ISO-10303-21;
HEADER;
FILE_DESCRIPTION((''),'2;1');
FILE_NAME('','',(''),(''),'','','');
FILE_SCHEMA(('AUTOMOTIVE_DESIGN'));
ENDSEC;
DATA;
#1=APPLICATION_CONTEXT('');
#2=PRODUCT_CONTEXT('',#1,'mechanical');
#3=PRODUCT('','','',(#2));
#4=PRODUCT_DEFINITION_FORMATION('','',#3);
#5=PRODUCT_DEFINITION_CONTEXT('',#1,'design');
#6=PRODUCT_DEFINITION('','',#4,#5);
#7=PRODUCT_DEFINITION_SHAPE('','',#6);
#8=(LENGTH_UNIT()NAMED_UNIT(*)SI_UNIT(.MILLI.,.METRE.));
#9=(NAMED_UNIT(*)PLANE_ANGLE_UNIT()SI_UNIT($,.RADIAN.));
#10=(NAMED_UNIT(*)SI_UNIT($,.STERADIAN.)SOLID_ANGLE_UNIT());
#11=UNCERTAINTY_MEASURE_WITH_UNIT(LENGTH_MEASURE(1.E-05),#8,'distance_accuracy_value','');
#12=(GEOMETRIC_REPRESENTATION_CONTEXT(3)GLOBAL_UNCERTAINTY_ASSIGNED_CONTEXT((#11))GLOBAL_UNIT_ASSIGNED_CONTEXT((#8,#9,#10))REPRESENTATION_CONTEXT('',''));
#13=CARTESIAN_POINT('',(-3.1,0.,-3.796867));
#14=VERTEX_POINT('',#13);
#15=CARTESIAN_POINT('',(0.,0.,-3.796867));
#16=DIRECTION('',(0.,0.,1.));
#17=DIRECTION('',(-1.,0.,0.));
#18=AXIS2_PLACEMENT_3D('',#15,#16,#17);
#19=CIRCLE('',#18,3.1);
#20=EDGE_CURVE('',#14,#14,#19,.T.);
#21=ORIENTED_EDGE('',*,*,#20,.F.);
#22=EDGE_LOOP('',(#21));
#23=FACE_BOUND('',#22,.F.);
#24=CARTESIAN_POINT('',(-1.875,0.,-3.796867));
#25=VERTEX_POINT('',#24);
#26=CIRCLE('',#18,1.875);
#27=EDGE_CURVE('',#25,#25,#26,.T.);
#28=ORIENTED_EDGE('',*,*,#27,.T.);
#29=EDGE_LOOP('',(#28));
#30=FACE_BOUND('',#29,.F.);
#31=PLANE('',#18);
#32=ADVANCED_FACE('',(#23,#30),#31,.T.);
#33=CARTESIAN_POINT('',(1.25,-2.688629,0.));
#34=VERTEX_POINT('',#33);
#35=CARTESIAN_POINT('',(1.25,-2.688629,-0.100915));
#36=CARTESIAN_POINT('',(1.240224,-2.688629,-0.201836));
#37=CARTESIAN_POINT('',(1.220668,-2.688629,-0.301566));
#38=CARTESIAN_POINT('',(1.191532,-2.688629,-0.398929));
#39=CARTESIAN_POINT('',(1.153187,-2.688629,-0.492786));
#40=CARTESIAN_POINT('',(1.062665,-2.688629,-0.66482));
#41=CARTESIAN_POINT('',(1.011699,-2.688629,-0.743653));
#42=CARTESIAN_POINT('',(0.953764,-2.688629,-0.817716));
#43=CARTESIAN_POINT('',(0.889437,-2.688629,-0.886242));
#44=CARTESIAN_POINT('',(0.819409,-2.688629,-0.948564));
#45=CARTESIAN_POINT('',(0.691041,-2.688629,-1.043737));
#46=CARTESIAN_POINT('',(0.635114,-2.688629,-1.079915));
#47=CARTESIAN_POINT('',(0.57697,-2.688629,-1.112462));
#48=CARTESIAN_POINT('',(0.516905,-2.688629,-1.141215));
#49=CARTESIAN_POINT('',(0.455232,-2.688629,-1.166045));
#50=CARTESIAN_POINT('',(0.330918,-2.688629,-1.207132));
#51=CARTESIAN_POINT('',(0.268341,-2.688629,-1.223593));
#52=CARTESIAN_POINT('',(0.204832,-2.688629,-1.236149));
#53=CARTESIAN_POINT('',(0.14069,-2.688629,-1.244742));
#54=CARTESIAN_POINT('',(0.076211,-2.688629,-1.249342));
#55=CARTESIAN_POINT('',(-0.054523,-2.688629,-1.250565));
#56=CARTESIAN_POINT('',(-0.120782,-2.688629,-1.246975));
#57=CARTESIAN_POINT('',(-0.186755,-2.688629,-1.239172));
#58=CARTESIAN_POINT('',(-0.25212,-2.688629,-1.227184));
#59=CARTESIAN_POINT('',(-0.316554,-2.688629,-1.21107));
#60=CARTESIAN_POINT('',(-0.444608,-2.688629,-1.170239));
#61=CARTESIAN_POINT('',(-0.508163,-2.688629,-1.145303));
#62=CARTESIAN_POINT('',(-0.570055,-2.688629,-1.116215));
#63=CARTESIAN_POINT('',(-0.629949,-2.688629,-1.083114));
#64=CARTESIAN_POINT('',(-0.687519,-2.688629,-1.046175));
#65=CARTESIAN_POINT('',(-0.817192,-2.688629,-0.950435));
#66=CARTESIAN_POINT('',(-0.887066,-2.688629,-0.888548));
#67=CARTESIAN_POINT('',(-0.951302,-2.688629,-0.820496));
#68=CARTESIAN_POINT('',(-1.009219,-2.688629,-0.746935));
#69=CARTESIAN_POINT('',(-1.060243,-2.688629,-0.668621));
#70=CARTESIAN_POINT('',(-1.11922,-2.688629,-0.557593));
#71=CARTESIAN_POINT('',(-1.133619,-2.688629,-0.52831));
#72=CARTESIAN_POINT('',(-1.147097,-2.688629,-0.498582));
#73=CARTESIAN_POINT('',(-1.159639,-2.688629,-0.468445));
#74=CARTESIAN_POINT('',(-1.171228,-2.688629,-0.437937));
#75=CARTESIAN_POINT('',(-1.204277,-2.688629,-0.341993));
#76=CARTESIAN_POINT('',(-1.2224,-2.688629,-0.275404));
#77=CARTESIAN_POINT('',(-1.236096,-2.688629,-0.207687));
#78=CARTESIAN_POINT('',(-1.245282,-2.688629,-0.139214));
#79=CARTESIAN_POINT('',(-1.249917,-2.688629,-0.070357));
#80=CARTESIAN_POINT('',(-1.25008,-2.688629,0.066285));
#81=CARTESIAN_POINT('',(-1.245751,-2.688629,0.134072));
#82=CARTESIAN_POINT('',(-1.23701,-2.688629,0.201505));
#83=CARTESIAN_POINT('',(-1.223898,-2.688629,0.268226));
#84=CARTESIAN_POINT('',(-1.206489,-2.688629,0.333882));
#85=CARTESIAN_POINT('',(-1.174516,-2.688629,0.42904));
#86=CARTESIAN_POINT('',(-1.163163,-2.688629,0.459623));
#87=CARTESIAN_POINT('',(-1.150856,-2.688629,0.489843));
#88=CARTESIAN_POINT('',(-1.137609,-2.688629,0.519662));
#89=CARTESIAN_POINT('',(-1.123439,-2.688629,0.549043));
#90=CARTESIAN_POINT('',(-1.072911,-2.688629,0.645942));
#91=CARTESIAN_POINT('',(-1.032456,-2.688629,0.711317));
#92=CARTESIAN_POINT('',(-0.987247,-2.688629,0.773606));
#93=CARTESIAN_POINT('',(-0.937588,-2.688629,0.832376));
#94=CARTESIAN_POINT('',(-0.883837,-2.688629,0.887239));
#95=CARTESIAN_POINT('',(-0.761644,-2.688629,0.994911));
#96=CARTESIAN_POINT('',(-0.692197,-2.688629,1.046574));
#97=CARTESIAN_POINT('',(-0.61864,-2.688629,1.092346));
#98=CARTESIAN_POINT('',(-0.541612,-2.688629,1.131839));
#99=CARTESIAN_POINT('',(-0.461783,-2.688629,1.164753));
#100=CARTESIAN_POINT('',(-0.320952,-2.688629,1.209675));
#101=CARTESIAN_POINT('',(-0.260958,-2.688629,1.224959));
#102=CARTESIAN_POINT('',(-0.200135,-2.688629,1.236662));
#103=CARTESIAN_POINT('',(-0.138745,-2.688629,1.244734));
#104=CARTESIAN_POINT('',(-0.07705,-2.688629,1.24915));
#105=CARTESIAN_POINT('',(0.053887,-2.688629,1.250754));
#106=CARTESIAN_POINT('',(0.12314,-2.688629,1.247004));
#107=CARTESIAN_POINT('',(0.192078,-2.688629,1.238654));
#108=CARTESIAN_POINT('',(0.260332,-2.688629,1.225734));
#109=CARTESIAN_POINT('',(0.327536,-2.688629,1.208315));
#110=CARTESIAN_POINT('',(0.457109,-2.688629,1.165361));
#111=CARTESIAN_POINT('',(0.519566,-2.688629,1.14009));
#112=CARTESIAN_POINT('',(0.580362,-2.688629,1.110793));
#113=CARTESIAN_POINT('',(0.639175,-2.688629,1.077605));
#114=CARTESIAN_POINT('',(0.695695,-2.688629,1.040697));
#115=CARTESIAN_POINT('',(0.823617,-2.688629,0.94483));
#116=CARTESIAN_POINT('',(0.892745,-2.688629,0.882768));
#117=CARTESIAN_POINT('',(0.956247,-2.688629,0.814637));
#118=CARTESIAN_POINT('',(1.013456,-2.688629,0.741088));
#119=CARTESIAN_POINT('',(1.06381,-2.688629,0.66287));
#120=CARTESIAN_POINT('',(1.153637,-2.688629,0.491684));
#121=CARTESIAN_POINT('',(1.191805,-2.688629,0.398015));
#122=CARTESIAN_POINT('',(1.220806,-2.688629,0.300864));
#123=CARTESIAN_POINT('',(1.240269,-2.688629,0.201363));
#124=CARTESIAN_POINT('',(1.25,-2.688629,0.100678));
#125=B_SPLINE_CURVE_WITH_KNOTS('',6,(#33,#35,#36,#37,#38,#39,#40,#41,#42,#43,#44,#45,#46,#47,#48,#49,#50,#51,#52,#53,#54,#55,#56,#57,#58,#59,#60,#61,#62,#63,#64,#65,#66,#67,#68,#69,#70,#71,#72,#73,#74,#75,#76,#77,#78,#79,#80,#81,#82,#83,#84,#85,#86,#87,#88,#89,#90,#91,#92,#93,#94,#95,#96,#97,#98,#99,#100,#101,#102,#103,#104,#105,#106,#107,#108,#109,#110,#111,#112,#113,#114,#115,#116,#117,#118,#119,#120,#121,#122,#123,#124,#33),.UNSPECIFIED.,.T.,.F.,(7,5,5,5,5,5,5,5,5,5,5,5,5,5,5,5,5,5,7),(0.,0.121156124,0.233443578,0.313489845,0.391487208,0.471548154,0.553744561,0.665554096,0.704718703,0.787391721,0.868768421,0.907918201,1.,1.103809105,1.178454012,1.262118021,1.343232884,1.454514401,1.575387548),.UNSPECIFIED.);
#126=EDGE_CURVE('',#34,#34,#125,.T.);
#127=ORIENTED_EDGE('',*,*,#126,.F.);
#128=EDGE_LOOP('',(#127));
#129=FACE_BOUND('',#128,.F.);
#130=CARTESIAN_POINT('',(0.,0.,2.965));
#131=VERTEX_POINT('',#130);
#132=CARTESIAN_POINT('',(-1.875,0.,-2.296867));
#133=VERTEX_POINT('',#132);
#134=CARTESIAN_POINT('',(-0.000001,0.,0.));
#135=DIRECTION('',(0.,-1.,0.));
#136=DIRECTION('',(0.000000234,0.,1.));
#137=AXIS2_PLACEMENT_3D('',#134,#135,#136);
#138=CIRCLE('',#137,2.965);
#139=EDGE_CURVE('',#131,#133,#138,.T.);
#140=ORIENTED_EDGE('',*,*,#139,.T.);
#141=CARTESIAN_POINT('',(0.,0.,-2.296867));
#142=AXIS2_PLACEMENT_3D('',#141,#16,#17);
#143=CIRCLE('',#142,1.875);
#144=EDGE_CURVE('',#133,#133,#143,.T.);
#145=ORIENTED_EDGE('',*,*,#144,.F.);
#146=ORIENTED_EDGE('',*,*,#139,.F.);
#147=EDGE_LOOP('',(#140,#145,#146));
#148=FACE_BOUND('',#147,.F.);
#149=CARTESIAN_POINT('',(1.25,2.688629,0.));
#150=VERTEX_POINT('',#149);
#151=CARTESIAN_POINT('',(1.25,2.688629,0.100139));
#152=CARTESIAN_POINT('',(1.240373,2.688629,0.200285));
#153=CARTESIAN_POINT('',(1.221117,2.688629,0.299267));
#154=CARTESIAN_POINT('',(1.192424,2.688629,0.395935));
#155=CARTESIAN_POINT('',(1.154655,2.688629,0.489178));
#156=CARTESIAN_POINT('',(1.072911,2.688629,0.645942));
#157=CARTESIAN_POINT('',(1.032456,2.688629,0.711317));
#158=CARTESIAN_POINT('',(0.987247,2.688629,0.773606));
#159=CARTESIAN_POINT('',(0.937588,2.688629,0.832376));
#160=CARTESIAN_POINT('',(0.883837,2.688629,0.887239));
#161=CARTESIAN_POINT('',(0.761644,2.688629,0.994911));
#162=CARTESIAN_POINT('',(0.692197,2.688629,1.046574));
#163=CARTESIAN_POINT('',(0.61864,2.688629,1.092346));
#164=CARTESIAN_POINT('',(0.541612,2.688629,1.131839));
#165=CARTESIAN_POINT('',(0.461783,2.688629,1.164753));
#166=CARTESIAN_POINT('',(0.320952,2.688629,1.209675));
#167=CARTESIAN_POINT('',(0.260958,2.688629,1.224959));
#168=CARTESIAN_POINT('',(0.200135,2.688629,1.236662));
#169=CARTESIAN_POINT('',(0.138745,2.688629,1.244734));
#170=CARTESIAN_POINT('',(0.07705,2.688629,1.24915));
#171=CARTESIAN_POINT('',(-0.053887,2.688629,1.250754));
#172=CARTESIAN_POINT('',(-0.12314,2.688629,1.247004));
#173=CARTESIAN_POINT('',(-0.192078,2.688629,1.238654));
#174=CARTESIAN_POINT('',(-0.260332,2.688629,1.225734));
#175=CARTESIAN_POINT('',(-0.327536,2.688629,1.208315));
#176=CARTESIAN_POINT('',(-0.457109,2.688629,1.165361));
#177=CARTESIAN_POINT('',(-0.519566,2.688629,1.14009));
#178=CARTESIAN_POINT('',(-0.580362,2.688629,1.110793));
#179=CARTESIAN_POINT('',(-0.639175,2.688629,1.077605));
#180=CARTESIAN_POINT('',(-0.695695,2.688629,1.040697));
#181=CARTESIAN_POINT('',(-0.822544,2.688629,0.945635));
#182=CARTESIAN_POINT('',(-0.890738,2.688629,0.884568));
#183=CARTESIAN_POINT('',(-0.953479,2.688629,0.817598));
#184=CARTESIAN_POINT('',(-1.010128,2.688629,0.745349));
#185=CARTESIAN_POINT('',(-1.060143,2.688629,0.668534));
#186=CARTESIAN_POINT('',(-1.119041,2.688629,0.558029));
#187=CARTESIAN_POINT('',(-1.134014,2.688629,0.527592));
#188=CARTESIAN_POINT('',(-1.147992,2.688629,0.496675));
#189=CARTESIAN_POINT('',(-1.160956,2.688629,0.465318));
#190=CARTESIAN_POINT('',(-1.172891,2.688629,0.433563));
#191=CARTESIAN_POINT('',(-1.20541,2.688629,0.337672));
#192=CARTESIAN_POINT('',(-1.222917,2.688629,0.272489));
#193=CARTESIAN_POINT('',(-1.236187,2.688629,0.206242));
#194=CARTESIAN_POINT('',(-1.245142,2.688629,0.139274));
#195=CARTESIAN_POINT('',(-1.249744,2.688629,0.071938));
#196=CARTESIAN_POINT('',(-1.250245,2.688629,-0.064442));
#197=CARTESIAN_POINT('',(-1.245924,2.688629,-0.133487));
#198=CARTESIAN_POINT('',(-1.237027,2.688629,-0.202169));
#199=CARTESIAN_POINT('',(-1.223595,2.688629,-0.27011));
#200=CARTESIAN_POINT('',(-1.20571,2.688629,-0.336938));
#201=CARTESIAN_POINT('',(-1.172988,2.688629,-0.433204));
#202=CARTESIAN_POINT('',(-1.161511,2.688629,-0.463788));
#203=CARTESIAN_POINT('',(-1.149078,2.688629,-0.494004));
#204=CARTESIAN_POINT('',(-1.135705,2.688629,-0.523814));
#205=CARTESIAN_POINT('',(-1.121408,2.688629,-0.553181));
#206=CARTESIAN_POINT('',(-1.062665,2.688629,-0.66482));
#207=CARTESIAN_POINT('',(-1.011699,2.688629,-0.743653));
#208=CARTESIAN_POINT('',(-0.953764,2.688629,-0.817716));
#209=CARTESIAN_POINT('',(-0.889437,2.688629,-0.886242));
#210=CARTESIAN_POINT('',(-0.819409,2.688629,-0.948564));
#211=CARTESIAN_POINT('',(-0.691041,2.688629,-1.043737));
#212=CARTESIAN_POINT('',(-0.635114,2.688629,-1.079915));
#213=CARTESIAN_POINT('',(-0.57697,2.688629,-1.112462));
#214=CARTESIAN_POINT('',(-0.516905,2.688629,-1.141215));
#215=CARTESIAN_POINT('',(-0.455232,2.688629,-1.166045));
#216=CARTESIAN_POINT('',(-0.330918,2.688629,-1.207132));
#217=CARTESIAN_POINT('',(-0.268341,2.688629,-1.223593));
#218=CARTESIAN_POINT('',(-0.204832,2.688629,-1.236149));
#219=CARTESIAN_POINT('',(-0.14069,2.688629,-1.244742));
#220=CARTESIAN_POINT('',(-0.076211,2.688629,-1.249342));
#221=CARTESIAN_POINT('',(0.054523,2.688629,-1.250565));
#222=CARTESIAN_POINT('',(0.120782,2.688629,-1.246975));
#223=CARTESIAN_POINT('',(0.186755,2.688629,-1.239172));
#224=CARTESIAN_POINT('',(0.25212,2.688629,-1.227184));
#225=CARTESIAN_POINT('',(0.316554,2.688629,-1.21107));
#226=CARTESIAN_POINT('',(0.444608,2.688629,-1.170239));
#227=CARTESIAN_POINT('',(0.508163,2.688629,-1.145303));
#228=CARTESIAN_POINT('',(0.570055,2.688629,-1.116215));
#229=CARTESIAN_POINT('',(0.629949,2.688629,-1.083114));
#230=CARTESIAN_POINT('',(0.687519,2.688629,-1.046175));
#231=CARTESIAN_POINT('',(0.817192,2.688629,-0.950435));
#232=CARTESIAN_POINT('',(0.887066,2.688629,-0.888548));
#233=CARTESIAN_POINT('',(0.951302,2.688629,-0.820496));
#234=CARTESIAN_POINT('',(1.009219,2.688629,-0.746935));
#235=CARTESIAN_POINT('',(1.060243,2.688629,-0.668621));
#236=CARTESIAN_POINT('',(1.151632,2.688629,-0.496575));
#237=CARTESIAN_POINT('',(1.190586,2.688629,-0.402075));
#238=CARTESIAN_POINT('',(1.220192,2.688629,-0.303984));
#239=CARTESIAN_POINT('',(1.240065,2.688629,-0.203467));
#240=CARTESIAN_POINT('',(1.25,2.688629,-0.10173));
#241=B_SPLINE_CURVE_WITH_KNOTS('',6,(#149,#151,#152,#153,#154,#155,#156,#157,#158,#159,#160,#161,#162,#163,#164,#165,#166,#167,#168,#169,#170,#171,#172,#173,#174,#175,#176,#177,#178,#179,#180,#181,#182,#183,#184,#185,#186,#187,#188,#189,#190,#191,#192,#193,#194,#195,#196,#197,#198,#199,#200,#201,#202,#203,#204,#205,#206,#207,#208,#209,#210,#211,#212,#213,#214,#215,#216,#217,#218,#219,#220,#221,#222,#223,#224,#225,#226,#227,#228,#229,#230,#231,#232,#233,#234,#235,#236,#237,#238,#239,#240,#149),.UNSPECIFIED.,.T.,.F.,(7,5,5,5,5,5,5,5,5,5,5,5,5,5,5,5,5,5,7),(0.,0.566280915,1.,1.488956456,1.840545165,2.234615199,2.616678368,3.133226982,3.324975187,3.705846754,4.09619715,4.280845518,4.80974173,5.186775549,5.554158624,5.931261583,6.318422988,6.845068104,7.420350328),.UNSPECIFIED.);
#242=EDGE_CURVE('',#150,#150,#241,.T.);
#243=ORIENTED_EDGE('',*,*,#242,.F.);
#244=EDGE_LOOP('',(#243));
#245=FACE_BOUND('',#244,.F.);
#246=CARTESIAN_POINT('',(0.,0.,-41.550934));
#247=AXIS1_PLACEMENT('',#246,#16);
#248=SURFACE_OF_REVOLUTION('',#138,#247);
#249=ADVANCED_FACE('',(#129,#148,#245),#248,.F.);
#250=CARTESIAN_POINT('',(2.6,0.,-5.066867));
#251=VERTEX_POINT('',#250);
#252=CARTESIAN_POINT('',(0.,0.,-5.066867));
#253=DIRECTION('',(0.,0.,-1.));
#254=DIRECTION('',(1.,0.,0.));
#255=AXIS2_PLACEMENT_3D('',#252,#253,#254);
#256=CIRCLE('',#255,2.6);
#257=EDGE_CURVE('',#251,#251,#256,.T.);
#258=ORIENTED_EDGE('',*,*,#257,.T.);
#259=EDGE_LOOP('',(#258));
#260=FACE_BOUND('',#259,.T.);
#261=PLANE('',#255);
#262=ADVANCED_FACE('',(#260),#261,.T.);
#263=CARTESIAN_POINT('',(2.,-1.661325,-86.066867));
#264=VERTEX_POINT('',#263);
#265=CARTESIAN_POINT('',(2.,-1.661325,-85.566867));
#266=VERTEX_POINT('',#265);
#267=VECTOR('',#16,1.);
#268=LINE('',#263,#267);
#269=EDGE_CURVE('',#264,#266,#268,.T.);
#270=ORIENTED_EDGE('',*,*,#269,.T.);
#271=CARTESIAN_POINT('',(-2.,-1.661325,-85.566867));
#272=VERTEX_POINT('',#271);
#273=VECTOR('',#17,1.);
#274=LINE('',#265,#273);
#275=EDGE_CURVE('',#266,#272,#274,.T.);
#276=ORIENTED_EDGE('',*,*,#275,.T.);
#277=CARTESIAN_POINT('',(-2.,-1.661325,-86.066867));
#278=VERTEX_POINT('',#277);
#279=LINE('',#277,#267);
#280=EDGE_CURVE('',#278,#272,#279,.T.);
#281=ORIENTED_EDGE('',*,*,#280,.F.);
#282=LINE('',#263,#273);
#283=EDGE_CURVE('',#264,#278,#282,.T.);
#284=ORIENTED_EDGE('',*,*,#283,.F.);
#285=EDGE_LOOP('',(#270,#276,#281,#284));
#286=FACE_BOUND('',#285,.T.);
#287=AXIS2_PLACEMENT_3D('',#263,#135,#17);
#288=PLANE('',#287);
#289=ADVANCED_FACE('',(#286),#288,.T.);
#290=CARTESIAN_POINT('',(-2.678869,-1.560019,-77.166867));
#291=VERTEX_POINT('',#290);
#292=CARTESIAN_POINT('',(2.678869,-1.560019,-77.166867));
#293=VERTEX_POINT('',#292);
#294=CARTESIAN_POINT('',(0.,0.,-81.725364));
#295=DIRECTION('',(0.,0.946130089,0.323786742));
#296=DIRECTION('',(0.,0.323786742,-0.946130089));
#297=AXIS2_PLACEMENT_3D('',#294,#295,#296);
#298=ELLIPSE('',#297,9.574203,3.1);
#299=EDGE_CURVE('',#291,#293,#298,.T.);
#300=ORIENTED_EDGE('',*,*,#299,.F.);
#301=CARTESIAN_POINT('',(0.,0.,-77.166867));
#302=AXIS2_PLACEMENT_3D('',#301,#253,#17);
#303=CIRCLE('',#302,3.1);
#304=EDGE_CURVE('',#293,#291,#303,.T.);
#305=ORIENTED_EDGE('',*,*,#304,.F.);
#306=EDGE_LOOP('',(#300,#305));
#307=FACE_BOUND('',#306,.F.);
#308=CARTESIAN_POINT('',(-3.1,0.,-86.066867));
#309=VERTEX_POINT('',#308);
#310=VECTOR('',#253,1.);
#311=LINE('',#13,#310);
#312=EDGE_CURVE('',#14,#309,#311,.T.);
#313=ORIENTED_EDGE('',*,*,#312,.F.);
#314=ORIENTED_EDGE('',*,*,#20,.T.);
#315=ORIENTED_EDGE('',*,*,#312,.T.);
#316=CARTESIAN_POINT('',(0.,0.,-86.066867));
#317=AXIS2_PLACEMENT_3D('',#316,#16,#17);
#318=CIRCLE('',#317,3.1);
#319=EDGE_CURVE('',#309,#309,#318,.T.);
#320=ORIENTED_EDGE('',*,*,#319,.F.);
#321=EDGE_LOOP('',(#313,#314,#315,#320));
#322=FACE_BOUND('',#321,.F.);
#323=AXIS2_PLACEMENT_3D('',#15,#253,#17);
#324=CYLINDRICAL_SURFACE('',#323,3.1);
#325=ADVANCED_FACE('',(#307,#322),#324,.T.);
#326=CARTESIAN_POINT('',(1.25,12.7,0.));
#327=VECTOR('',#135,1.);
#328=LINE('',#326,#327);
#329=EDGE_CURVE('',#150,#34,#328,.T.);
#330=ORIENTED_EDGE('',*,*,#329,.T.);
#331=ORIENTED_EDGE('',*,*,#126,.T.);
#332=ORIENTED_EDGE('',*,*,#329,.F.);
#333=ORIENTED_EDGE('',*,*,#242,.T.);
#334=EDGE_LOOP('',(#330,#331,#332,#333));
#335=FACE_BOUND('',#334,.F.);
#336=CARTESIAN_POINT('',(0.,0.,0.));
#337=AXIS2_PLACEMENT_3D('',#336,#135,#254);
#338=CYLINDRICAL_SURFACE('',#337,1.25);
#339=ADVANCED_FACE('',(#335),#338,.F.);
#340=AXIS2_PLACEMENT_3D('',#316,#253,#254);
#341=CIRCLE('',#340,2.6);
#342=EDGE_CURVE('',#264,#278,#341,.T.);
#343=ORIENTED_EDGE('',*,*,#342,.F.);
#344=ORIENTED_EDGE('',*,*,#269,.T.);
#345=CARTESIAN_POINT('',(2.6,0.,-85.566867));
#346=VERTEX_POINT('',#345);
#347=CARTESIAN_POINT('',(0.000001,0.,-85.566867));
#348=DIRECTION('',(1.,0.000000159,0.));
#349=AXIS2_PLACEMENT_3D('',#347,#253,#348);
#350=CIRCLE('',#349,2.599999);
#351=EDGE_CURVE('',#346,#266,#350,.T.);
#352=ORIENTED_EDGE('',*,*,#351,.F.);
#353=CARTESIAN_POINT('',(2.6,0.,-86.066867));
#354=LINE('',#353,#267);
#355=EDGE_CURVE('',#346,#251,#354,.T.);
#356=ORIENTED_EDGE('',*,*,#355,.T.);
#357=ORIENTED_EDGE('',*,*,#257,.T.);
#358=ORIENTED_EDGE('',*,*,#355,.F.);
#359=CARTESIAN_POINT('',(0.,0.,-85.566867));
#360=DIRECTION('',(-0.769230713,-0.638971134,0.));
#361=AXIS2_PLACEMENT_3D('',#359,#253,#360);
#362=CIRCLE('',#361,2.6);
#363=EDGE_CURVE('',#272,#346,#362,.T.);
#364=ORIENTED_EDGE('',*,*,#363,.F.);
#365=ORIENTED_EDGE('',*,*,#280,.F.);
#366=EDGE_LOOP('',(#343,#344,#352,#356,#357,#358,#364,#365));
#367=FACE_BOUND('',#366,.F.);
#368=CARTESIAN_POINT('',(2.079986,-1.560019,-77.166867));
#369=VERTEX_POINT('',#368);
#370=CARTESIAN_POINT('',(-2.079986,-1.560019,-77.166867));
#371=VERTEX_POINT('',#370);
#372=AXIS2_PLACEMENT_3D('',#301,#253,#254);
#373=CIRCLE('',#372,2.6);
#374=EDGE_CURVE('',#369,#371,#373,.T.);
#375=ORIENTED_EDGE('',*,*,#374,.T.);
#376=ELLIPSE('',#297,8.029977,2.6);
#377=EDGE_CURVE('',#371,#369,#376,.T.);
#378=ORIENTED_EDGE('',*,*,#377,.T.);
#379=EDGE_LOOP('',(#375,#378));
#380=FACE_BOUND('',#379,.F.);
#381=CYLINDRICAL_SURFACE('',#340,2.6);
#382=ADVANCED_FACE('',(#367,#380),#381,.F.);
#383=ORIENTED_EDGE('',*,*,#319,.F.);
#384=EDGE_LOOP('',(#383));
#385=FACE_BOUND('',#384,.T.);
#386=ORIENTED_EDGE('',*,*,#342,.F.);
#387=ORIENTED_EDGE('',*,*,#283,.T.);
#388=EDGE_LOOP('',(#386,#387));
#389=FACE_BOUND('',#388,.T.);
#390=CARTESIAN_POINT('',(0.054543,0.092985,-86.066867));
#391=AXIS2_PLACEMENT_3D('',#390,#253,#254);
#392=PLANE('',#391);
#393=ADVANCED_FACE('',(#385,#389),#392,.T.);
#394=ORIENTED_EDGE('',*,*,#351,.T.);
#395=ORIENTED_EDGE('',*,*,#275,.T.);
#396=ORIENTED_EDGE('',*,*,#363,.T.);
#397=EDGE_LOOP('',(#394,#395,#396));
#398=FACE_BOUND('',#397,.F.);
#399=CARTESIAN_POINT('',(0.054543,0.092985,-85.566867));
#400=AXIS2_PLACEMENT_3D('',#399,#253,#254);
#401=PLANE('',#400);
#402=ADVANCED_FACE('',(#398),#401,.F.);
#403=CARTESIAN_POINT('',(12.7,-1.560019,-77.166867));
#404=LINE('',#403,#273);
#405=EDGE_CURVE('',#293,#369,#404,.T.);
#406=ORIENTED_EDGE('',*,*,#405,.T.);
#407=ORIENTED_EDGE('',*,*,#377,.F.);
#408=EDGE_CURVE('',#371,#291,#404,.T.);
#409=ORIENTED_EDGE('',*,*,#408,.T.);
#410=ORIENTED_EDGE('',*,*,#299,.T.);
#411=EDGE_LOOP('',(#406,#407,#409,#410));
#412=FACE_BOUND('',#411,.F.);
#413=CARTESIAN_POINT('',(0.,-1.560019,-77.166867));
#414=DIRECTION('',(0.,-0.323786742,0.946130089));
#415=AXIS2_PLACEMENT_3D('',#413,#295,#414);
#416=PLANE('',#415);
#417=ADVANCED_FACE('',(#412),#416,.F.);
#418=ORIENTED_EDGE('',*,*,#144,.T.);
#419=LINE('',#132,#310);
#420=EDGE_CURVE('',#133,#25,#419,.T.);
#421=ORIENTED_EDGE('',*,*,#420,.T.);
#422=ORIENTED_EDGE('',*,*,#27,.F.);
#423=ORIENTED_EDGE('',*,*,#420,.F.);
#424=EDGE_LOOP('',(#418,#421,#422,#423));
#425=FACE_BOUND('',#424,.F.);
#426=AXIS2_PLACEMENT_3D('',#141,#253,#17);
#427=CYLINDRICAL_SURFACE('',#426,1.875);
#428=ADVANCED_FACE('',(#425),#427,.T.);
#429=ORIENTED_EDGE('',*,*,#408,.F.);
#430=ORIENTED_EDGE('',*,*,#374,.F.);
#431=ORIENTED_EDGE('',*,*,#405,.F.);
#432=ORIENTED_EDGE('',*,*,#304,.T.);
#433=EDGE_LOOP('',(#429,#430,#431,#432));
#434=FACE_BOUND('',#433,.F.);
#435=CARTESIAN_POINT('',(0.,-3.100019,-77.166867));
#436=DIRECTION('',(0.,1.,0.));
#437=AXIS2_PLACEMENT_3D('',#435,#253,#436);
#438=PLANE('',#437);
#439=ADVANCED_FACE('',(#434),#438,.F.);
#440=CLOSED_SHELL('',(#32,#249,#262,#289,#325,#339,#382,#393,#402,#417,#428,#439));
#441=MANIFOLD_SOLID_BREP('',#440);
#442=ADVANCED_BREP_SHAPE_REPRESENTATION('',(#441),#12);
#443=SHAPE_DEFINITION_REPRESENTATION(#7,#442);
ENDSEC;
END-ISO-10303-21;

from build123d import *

# Parameters (mm, degrees)
F2_R     = 1.25
F3_DEPTH = 12.7
F5_DEPTH = 12.7
F6_R     = 2.6
F7_DEPTH = 81
F9_DEPTH = 0.5


with BuildPart() as f1:
    # F0 (on Front) → F1 (revolve)
    with BuildSketch(Plane.XZ):
        with BuildLine():
            Line((0, -86.066867), (0, 2.965))
            ThreePointArc((0, 2.965), (-2.792977, 0.995242), (-1.875, -2.296867))
            Line((-1.875, -2.296867), (-1.875, -3.796867))
            Line((-1.875, -3.796867), (-3.1, -3.796867))
            Line((-3.1, -3.796867), (-3.1, -86.066867))
            Line((-3.1, -86.066867), (0, -86.066867))
        make_face()
    revolve(axis=Axis((0, 0, -41.550934), (0, 0, 1)))

    # F2 (on Front) → F3 (cut, symmetric)
    with BuildSketch(Plane.XZ):
        Circle(F2_R)
    extrude(amount=F3_DEPTH, both=True, mode=Mode.SUBTRACT)

    # F4 (on Right) → F5 (cut, symmetric)
    with BuildSketch(Plane.YZ):
        Polygon((-3.100019, -72.666867), (-3.100019, -77.166867), (-1.560019, -77.166867), align=None)
    extrude(amount=F5_DEPTH, both=True, mode=Mode.SUBTRACT)

    # F6 (on face) → F7 (cut)
    with BuildSketch(Plane(origin=(0, 0, -86.066867), x_dir=(1, 0, 0), z_dir=(0, 0, -1))):
        Circle(F6_R)
    extrude(amount=-F7_DEPTH, mode=Mode.SUBTRACT)

    # F8 (on face) → F9 (join)
    with BuildSketch(Plane(origin=(0, 0, -86.066867), x_dir=(1, 0, 0), z_dir=(0, 0, -1))):
        with BuildLine():
            ThreePointArc((-2, 1.661325), (-0.883176, -2.445404), (2.6, 0))
            ThreePointArc((2.6, 0), (2.445404, 0.883176), (2, 1.661325))
            Line((2, 1.661325), (-2, 1.661325))
        make_face()
    extrude(amount=-F9_DEPTH)


solid = f1.part
